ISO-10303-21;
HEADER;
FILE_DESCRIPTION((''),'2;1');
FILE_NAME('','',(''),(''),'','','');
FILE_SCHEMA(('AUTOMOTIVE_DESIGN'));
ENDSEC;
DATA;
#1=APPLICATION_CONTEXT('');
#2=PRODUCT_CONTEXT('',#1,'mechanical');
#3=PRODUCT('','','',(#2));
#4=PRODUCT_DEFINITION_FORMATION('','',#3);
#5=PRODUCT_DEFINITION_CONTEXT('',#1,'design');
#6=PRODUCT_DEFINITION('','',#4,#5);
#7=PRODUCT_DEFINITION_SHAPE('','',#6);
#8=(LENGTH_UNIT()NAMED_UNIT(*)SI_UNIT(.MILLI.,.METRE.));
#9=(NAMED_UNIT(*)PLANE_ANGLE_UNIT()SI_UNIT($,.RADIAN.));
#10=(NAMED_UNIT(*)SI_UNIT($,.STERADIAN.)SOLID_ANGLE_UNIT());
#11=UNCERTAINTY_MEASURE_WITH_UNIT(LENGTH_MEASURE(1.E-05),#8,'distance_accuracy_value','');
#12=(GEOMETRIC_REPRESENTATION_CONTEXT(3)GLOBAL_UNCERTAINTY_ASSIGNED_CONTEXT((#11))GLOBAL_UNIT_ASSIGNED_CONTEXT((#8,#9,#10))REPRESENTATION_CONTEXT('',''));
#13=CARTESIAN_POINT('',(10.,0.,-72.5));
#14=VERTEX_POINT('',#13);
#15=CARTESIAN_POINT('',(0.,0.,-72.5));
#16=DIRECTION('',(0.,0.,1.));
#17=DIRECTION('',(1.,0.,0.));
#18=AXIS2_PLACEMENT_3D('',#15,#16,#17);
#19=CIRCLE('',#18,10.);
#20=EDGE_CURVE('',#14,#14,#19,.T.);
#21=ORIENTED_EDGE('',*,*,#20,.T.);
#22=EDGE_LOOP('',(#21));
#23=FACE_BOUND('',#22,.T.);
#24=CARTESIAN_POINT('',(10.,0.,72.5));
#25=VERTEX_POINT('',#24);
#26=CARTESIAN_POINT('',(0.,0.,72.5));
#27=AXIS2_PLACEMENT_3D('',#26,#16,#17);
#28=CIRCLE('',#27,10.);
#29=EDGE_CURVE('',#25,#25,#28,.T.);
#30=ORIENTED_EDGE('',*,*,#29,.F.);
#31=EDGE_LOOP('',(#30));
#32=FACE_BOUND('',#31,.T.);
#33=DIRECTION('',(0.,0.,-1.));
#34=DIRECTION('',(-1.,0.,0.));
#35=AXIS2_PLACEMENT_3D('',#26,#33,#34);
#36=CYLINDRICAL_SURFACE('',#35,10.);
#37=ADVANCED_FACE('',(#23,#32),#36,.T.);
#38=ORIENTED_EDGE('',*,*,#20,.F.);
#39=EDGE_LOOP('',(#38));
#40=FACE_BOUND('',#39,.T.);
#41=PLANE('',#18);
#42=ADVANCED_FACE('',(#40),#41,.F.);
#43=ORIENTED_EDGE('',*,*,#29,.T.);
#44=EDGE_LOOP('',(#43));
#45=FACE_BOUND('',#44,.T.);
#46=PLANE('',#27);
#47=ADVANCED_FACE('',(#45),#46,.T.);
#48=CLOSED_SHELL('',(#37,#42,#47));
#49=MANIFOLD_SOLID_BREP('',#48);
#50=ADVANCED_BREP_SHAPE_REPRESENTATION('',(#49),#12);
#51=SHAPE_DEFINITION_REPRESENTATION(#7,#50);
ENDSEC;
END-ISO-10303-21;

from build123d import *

# Parameters (mm, degrees)
SHAFT_ENVELOPE_START = -72.5
SKETCH_1_R           = 10
SHAFT_ENVELOPE_DEPTH = 145


with BuildPart() as part:
    # Эскиз1 → Shaft_envelope (new body)
    with BuildSketch(Plane.XY.offset(SHAFT_ENVELOPE_START)):
        Circle(SKETCH_1_R)
    extrude(amount=SHAFT_ENVELOPE_DEPTH)


solid = part.part
